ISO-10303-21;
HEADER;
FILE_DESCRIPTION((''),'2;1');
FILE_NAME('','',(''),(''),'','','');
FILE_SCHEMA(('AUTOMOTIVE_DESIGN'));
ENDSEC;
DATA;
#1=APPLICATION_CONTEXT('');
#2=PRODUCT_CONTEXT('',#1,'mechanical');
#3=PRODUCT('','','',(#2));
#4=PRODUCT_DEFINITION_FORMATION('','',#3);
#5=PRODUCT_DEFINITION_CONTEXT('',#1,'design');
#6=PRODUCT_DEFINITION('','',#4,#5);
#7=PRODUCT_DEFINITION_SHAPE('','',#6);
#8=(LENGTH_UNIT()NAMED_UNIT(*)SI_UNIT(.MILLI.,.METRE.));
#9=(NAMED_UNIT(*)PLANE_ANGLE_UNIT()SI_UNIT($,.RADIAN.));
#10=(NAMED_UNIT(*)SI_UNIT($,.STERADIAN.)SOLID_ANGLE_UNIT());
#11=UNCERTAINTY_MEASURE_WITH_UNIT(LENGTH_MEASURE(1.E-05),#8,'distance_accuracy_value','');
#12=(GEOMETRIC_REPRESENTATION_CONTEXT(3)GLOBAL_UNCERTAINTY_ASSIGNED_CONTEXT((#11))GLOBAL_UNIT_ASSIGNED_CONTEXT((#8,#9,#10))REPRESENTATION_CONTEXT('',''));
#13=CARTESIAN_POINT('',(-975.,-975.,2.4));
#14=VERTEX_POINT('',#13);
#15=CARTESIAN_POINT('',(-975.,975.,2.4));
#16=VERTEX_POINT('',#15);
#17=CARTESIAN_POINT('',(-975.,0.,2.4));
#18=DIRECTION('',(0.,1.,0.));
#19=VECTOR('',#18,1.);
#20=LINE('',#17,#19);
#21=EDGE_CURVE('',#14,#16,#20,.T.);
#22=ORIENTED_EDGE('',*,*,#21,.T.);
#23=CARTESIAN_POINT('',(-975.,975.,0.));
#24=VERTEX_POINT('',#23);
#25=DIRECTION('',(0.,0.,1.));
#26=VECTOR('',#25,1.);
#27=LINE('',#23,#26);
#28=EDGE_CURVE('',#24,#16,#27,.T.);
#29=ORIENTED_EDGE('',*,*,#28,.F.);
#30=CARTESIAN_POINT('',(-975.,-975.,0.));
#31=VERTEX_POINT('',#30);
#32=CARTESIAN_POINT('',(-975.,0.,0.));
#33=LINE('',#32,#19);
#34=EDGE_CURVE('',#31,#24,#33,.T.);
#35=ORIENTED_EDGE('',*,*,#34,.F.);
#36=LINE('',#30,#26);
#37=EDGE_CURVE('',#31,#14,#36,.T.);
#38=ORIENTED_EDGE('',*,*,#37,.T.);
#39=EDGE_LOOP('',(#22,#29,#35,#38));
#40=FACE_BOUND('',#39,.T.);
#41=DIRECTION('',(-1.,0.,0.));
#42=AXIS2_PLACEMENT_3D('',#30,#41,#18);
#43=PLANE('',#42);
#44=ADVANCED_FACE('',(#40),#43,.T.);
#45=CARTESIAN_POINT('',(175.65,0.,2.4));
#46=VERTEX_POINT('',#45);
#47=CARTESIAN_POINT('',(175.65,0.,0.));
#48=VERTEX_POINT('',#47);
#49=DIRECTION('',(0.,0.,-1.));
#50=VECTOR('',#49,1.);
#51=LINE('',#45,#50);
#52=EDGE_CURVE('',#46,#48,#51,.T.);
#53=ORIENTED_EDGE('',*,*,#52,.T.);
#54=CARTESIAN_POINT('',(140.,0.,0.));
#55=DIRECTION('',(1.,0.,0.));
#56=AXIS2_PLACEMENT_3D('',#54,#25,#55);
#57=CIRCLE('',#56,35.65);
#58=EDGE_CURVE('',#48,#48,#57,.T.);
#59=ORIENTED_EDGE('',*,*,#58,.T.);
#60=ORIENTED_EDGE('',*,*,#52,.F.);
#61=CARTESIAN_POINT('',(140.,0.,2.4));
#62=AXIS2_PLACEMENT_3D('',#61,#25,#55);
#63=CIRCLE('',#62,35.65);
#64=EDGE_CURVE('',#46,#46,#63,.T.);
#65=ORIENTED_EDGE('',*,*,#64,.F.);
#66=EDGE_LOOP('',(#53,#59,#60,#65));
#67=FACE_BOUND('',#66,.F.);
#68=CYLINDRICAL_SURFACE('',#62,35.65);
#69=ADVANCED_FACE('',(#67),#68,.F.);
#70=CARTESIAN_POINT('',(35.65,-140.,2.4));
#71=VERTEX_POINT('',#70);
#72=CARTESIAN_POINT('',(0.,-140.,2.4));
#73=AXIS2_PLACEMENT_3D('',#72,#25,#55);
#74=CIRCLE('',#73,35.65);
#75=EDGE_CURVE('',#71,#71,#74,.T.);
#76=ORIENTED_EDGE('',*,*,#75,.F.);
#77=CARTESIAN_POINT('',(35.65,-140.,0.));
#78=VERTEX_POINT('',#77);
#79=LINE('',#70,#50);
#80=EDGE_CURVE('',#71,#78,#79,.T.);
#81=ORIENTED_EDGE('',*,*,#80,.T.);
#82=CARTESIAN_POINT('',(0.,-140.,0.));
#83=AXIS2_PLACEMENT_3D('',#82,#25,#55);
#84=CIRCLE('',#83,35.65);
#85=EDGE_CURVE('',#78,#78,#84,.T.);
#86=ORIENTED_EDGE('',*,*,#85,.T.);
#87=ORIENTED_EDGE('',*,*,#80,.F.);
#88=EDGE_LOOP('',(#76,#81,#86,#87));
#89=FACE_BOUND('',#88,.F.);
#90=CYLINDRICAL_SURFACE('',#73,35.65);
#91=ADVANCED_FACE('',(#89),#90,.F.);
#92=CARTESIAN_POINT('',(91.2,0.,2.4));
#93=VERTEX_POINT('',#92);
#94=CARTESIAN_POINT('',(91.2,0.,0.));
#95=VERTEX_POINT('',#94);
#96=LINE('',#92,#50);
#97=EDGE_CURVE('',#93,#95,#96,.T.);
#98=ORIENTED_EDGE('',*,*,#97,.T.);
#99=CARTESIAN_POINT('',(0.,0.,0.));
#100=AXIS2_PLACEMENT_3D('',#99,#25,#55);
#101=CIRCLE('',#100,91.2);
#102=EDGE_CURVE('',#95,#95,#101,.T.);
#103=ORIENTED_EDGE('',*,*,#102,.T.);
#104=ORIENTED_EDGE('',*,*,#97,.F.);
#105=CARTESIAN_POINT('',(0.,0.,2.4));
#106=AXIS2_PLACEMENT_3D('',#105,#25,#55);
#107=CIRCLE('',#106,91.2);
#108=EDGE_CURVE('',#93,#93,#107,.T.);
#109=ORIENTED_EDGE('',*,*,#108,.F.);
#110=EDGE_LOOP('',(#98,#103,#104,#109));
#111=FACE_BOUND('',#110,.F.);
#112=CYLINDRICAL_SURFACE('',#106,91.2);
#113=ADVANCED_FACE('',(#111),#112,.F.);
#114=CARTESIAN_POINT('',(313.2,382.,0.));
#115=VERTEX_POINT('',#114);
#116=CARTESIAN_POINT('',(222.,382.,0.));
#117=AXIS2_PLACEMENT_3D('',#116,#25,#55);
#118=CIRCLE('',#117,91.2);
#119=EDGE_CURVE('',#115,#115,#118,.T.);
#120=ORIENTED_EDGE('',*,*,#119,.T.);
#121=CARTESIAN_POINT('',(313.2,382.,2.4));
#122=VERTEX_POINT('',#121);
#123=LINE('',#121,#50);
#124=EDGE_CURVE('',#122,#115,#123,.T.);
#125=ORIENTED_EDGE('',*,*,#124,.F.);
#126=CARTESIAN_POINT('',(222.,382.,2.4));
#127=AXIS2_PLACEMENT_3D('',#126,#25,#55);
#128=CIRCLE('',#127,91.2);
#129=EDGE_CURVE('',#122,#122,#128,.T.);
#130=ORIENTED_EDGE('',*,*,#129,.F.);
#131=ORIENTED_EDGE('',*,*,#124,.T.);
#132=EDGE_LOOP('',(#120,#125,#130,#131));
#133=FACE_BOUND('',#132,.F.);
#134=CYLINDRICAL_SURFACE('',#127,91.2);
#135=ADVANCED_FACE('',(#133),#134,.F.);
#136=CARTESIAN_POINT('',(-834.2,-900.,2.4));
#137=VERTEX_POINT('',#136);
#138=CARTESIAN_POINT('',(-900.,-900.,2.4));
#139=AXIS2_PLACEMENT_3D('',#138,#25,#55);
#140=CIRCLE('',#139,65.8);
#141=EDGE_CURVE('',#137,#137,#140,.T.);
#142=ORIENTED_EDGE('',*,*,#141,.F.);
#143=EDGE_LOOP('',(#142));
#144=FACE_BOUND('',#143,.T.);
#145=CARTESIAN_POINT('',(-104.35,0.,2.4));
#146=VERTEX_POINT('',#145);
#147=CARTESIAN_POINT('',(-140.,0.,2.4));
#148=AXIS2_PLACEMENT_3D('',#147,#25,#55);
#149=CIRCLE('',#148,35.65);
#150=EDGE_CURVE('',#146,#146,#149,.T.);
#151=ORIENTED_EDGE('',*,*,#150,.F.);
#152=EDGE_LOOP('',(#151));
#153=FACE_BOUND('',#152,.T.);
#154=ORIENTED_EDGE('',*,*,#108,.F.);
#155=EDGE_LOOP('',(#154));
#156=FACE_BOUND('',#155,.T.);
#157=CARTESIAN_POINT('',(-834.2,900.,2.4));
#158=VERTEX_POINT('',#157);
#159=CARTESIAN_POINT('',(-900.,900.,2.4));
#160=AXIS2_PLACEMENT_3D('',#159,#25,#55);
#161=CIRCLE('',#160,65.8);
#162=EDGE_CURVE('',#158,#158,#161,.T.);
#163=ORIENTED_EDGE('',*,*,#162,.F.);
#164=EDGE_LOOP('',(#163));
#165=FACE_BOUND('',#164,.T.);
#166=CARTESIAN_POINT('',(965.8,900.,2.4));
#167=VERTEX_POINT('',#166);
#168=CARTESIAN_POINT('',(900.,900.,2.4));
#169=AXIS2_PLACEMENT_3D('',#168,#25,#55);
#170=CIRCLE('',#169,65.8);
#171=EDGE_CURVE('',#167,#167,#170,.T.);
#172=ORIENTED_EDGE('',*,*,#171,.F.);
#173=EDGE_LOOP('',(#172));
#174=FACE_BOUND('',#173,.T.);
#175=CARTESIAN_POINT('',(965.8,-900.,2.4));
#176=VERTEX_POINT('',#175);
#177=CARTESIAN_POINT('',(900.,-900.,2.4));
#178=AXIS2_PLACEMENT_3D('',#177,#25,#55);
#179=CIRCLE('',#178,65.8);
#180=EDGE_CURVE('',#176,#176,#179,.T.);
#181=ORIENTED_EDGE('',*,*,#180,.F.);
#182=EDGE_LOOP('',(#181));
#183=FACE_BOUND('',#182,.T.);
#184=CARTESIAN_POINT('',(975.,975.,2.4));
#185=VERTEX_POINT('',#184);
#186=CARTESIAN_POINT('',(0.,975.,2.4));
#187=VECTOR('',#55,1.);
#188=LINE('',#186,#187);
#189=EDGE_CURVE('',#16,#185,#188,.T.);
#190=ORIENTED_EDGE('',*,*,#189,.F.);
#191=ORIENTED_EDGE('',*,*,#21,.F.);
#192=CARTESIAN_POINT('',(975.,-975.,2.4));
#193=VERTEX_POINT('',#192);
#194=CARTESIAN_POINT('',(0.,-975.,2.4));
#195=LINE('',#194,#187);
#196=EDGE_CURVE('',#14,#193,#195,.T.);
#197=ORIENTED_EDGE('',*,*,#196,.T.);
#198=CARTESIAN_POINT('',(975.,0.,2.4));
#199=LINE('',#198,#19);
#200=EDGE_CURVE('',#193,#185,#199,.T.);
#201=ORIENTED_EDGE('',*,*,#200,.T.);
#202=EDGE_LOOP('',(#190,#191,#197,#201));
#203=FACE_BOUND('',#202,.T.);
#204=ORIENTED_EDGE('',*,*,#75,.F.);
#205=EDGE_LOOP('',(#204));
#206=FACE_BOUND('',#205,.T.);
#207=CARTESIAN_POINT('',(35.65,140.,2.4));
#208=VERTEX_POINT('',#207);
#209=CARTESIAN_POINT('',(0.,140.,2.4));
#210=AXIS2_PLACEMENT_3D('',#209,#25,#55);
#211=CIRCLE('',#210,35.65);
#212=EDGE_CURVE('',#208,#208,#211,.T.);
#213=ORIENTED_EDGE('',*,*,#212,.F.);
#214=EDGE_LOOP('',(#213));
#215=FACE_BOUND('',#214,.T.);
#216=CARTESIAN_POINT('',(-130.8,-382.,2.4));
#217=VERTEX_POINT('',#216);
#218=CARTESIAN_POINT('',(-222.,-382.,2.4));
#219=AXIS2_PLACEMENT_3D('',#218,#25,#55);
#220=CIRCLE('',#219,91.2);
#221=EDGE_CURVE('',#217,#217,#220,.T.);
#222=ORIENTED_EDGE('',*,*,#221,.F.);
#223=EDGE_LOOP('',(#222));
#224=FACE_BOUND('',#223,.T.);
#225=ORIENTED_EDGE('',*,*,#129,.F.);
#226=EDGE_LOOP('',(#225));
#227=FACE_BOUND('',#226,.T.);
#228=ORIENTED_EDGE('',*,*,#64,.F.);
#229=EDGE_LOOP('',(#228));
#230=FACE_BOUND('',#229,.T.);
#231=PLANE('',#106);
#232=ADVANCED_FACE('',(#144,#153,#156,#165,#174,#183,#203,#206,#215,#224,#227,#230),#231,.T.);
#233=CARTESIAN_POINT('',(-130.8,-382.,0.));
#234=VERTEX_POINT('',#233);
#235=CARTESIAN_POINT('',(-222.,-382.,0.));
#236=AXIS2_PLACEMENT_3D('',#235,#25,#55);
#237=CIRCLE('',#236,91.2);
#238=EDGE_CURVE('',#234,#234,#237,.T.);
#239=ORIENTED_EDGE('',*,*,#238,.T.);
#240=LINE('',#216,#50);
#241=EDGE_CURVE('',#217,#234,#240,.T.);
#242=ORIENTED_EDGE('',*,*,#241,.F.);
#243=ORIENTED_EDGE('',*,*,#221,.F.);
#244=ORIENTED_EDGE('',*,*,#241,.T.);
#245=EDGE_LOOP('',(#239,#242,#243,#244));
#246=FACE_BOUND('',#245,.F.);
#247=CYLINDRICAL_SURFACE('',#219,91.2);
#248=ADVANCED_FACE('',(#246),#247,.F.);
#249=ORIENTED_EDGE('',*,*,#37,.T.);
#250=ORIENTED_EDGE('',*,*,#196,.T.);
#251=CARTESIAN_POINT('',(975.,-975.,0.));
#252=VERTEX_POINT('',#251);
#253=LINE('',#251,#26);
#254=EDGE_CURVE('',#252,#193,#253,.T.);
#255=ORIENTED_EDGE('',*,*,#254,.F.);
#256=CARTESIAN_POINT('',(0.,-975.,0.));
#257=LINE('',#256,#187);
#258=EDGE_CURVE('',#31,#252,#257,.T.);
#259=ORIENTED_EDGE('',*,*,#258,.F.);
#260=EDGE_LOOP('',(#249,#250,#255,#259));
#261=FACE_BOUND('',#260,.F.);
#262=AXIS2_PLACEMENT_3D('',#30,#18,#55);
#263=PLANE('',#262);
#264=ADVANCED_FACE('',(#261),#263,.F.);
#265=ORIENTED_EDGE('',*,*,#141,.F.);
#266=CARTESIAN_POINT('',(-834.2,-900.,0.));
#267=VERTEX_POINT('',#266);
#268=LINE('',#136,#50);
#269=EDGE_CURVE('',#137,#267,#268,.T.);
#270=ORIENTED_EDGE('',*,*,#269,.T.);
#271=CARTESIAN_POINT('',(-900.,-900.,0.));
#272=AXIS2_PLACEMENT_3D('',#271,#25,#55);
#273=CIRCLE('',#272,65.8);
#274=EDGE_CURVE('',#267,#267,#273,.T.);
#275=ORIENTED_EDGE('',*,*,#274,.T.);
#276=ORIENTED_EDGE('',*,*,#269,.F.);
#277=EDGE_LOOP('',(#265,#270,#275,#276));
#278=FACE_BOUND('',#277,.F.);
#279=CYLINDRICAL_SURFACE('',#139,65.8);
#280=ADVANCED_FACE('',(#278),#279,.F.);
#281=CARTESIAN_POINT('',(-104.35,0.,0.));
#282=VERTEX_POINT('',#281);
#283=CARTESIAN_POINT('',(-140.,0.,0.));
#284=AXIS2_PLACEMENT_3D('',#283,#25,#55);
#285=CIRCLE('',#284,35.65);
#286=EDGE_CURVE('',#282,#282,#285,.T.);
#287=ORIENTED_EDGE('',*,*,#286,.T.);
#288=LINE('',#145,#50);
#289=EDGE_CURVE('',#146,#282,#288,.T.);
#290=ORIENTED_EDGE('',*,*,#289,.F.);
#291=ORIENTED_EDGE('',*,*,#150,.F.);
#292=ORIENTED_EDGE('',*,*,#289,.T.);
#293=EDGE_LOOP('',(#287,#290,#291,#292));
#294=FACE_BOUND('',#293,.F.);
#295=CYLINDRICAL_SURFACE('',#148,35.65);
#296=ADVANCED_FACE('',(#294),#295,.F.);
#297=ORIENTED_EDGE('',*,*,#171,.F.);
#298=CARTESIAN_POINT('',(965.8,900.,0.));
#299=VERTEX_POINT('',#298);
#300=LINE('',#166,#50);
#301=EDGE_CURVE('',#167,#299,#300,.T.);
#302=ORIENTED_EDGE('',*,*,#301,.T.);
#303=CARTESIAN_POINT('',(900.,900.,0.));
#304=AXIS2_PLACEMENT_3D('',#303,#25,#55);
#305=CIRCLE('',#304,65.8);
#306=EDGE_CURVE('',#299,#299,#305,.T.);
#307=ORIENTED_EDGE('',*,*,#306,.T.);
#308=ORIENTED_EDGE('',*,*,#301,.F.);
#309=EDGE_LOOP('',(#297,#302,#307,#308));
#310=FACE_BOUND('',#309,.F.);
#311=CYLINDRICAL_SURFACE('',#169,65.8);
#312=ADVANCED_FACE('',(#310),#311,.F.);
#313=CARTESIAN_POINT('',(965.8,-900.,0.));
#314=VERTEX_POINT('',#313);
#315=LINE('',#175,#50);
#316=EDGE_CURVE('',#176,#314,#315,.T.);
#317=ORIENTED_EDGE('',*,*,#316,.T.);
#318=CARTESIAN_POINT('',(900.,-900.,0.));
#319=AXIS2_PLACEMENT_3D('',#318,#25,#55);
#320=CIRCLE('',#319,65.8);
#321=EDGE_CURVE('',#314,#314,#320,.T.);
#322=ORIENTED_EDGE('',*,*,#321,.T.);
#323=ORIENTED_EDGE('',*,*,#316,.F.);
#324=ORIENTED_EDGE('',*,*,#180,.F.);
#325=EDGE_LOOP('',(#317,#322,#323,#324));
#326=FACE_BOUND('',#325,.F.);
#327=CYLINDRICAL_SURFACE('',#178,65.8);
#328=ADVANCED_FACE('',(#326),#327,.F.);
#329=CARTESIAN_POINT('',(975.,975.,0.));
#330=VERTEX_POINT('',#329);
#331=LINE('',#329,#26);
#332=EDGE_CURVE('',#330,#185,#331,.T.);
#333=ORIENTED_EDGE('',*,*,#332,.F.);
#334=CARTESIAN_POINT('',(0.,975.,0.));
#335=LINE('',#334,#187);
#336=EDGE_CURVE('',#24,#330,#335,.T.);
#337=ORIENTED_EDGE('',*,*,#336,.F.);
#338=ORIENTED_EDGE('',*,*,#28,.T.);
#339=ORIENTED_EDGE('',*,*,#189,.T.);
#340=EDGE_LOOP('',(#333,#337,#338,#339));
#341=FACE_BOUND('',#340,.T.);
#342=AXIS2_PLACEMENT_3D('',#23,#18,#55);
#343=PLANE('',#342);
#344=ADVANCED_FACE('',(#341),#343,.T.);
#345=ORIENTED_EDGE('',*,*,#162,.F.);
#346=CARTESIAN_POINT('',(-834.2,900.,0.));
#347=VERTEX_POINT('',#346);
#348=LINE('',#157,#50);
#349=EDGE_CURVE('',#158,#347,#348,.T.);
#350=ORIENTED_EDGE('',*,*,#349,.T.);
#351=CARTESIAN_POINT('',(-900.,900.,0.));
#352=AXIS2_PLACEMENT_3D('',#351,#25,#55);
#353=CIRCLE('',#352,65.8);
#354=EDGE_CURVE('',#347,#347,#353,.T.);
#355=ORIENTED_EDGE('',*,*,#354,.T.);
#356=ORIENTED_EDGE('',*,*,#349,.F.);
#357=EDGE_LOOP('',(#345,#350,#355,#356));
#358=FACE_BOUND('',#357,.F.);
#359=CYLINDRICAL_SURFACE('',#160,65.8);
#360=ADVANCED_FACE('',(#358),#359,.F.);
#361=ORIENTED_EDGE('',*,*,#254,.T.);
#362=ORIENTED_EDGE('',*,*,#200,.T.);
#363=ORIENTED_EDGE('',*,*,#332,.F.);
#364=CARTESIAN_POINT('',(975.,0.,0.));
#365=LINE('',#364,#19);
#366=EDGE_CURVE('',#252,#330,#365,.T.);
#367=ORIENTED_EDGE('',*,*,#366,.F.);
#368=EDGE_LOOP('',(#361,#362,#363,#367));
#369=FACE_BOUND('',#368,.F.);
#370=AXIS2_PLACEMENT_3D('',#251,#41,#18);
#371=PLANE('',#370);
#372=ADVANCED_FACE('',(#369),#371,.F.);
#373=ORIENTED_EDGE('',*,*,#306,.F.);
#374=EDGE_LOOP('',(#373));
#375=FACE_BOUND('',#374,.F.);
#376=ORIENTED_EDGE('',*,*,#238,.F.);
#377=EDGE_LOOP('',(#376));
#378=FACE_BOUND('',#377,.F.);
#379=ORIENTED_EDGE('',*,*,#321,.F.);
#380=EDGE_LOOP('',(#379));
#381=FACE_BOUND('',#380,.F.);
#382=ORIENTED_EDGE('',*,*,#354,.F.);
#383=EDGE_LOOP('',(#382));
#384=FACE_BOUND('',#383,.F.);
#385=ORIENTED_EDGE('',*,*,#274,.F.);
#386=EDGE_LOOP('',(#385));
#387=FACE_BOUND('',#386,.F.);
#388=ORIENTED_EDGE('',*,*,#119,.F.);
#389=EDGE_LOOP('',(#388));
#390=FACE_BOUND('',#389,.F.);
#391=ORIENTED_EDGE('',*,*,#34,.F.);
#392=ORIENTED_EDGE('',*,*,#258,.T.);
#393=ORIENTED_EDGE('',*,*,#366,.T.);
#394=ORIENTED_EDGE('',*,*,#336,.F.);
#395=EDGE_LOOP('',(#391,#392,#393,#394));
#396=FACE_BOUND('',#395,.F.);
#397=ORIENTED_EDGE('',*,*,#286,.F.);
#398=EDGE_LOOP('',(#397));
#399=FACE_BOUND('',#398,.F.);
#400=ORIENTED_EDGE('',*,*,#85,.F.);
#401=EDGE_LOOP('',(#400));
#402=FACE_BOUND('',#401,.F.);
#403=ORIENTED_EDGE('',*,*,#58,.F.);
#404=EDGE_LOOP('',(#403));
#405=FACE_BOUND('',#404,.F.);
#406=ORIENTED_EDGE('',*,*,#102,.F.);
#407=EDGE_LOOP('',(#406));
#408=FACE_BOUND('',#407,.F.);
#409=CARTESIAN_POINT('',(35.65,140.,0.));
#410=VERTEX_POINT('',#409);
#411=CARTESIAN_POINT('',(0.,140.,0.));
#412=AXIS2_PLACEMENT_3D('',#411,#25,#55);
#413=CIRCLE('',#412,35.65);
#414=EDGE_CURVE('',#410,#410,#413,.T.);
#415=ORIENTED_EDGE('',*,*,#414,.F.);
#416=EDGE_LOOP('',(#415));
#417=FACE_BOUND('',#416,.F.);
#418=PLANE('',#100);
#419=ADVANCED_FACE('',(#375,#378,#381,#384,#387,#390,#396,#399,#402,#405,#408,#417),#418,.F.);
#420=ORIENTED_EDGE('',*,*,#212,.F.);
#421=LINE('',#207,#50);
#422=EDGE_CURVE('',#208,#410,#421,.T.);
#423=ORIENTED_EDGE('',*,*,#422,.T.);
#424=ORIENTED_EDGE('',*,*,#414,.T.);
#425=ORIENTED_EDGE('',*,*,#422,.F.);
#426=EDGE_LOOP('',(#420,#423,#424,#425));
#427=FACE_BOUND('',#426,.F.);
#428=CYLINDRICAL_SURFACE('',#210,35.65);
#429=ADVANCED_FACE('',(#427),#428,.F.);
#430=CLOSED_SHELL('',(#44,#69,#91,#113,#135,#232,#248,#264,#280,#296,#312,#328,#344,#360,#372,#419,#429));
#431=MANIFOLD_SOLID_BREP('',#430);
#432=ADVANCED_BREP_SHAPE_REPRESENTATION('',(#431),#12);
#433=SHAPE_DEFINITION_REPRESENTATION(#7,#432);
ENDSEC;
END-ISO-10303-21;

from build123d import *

# Parameters (mm, degrees)
SKETCH1_W           = 1950
SKETCH1_H           = 1950
BOSS_EXTRUDE1_DEPTH = 2.4
SKETCH2_R           = 91.2
SKETCH2_R_2         = 35.65
SKETCH2_R_3         = 65.8
CUT_EXTRUDE1_DEPTH  = 3.4


with BuildPart() as part:
    # Sketch1 → Boss-Extrude1 (new body)
    with BuildSketch(Plane.XY):
        Rectangle(SKETCH1_W, SKETCH1_H)
    extrude(amount=BOSS_EXTRUDE1_DEPTH)

    # Sketch2 → Cut-Extrude1 (cut, through all)
    with BuildSketch(Plane.XY.offset(2.4)):
        Circle(SKETCH2_R)
        with Locations((0, 140)):
            Circle(SKETCH2_R_2)
        with Locations((222, 382)):
            Circle(SKETCH2_R)
        with Locations((-222, -382)):
            Circle(SKETCH2_R)
        with Locations((-900, 900)):
            Circle(SKETCH2_R_3)
        with Locations((-900, -900)):
            Circle(SKETCH2_R_3)
        with Locations((0, -140)):
            Circle(SKETCH2_R_2)
        with Locations((900, 900)):
            Circle(SKETCH2_R_3)
        with Locations((140, 0)):
            Circle(SKETCH2_R_2)
        with Locations((-140, 0)):
            Circle(SKETCH2_R_2)
        with Locations((900, -900)):
            Circle(SKETCH2_R_3)
    extrude(amount=-CUT_EXTRUDE1_DEPTH, mode=Mode.SUBTRACT)


solid = part.part
